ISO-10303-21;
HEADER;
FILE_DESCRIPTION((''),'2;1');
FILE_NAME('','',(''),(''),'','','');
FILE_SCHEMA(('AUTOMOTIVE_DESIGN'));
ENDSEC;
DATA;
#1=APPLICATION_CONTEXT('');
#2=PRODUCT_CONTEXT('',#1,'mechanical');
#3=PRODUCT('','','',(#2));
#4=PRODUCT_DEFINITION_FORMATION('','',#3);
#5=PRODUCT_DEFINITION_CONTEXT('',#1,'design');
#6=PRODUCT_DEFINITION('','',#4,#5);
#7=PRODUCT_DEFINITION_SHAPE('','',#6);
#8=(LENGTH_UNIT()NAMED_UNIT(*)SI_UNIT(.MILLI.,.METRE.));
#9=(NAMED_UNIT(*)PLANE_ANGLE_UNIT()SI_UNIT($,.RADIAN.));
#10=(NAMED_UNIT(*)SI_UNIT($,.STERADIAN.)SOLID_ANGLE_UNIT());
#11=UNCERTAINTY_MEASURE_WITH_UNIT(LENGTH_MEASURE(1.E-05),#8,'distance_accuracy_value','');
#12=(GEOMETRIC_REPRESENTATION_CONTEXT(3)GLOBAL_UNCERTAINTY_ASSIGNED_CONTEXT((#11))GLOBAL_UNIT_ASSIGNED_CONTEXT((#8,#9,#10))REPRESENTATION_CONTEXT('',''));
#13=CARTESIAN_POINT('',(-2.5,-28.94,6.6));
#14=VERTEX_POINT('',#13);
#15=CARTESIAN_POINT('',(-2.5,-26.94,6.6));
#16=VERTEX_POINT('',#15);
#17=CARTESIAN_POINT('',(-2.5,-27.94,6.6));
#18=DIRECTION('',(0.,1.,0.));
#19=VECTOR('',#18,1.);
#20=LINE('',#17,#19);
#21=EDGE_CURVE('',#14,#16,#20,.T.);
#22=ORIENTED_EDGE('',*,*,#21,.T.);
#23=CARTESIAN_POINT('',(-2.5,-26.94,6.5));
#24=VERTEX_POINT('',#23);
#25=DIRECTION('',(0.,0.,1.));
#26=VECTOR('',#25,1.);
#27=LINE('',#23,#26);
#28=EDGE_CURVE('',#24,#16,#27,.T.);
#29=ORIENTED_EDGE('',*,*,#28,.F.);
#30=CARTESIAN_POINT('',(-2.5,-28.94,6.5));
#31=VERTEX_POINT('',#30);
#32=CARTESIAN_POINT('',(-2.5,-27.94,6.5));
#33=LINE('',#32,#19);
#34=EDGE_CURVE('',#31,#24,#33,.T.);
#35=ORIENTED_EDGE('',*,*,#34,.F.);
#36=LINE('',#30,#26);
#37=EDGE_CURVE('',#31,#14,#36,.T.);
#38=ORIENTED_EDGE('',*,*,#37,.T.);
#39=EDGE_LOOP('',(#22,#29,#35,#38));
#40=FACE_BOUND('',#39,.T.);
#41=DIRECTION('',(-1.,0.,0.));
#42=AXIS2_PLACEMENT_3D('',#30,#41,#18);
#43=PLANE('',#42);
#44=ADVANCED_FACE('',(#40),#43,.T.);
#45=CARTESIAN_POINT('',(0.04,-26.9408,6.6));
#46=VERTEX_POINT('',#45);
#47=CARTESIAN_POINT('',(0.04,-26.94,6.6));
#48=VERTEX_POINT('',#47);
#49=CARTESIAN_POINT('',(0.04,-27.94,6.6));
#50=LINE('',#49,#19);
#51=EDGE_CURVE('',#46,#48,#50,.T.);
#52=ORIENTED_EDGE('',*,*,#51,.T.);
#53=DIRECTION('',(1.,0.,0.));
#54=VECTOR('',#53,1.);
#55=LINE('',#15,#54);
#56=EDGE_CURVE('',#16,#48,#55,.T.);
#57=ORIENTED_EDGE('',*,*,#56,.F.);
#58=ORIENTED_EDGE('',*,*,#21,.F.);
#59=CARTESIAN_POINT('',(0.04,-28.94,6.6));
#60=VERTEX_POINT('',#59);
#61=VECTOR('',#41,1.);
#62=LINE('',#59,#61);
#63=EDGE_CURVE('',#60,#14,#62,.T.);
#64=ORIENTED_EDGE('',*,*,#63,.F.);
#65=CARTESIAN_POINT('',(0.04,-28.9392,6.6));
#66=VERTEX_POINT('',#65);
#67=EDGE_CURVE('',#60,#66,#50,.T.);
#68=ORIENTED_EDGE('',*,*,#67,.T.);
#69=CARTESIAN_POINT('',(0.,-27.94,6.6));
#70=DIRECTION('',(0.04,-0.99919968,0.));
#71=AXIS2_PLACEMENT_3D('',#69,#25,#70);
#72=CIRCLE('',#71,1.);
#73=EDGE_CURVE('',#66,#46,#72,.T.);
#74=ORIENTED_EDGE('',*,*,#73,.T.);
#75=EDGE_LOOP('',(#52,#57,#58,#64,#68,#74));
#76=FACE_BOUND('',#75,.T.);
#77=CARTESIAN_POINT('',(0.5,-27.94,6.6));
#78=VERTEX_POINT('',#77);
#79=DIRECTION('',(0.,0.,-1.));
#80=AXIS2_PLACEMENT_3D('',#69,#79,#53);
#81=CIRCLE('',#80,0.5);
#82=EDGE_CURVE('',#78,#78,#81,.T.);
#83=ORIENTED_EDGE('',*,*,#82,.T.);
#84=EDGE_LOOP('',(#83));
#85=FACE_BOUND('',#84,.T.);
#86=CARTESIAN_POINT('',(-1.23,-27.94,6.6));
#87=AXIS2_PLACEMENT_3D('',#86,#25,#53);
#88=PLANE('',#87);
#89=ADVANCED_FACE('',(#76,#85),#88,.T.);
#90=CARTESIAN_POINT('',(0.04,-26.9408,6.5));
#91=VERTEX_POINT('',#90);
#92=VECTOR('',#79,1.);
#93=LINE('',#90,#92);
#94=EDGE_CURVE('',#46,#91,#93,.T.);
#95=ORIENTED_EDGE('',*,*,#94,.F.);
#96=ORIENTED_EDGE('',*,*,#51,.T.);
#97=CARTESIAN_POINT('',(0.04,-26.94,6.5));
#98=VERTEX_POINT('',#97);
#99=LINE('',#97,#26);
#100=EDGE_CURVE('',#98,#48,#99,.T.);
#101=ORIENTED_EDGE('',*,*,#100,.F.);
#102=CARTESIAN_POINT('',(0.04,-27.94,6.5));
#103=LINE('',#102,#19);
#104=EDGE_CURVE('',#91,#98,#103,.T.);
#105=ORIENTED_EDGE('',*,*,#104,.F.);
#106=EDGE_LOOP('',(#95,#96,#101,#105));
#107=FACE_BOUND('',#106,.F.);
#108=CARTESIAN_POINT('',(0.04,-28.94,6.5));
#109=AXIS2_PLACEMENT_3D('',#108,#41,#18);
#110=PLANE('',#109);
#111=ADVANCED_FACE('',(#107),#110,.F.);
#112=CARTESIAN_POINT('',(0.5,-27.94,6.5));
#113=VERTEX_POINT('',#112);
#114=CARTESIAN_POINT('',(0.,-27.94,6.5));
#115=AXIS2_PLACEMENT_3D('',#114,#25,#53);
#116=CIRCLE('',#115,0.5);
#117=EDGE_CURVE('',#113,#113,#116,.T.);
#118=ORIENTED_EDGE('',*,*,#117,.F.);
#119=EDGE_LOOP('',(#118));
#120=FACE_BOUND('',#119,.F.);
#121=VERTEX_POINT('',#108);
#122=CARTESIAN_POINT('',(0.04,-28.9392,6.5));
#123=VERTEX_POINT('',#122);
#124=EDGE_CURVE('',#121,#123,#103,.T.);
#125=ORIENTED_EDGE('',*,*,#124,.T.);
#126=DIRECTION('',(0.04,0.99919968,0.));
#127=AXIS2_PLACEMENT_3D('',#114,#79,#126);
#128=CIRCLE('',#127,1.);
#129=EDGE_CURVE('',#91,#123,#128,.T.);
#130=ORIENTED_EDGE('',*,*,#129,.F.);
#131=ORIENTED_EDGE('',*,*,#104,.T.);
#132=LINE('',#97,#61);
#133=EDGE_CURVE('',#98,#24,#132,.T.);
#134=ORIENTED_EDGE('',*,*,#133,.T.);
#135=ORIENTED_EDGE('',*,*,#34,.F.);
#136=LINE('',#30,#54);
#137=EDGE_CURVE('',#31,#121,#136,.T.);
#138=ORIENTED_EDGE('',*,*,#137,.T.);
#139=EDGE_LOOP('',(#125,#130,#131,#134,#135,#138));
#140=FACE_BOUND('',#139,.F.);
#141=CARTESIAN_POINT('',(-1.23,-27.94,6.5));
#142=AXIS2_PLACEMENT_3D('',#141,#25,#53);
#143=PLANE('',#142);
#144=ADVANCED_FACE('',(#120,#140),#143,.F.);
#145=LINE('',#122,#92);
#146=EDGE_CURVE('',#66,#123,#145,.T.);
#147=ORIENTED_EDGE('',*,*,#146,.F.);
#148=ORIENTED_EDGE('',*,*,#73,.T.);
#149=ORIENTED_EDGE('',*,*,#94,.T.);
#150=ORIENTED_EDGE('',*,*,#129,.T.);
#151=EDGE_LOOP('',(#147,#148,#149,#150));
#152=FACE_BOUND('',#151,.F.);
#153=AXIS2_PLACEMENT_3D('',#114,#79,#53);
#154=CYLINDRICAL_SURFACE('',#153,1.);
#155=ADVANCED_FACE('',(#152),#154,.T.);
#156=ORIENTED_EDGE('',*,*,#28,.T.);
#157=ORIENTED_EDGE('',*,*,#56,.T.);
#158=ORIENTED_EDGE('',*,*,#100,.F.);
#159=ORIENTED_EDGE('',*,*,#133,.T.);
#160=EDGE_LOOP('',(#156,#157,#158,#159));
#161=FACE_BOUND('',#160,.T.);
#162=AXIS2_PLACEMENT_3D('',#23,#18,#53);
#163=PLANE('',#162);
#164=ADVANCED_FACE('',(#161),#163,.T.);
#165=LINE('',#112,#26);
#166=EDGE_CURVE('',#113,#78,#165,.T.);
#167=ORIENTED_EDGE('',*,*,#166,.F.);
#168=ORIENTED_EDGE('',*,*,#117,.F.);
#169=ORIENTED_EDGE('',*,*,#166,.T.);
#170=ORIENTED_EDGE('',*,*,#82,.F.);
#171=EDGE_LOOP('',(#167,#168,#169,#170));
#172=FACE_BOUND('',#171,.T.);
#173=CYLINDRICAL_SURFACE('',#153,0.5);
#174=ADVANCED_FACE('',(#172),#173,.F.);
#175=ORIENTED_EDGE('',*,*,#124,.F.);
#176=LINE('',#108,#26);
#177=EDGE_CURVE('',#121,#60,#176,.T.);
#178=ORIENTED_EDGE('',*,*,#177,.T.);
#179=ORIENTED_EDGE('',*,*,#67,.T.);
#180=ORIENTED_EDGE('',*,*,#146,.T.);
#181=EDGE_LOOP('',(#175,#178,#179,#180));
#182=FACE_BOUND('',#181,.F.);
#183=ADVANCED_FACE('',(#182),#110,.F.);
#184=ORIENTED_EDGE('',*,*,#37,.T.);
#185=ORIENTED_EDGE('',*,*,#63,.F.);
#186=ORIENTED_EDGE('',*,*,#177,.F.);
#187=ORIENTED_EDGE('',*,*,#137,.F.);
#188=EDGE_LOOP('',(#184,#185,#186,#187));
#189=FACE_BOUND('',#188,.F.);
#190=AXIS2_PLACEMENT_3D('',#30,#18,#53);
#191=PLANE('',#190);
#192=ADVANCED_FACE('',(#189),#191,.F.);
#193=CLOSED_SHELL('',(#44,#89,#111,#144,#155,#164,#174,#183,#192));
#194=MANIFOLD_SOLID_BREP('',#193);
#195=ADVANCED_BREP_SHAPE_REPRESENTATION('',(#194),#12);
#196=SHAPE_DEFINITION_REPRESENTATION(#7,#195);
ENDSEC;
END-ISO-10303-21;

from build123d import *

# Parameters (mm, degrees)
CYLINDER035_R     = 0.5
CYLINDER035_DEPTH = 0.1
BOX014_W          = 2.54
BOX014_H          = 2
BOX014_DEPTH      = 0.1
CYLINDER034_R     = 0.5
CYLINDER034_DEPTH = 0.1
CYLINDER033_R     = 1
CYLINDER033_DEPTH = 0.1


with BuildPart() as cylinder035:
    # Cylinder035 → Cylinder035 (new body)
    with BuildSketch(Plane.XY.offset(1)):
        Circle(CYLINDER035_R)
    extrude(amount=CYLINDER035_DEPTH)


with BuildPart() as cut024:
    # Box014 → Box014 (new body)
    with BuildSketch(Plane(origin=(-2.5, -1, 1), x_dir=(1, 0, 0), z_dir=(0, 0, 1))):
        with Locations((1.27, 1)):
            Rectangle(BOX014_W, BOX014_H)
    extrude(amount=BOX014_DEPTH)

    # Cut024: cut Cylinder035
    add(cylinder035.part, mode=Mode.SUBTRACT)


with BuildPart() as cylinder034:
    # Cylinder034 → Cylinder034 (new body)
    with BuildSketch(Plane.XY.offset(1)):
        Circle(CYLINDER034_R)
    extrude(amount=CYLINDER034_DEPTH)


with BuildPart() as fusion011:
    # Cylinder033 → Cylinder033 (new body)
    with BuildSketch(Plane.XY.offset(1)):
        Circle(CYLINDER033_R)
    extrude(amount=CYLINDER033_DEPTH)

    # Cut023: cut Cylinder034
    add(cylinder034.part, mode=Mode.SUBTRACT)

    # Fusion011: union Cut024
    add(cut024.part)


with BuildPart() as fusion011_1:
    # Fusion011 placement: moved
    add(fusion011.part.moved(Location((0, -27.94, 5.5))))


solid = fusion011_1.part
